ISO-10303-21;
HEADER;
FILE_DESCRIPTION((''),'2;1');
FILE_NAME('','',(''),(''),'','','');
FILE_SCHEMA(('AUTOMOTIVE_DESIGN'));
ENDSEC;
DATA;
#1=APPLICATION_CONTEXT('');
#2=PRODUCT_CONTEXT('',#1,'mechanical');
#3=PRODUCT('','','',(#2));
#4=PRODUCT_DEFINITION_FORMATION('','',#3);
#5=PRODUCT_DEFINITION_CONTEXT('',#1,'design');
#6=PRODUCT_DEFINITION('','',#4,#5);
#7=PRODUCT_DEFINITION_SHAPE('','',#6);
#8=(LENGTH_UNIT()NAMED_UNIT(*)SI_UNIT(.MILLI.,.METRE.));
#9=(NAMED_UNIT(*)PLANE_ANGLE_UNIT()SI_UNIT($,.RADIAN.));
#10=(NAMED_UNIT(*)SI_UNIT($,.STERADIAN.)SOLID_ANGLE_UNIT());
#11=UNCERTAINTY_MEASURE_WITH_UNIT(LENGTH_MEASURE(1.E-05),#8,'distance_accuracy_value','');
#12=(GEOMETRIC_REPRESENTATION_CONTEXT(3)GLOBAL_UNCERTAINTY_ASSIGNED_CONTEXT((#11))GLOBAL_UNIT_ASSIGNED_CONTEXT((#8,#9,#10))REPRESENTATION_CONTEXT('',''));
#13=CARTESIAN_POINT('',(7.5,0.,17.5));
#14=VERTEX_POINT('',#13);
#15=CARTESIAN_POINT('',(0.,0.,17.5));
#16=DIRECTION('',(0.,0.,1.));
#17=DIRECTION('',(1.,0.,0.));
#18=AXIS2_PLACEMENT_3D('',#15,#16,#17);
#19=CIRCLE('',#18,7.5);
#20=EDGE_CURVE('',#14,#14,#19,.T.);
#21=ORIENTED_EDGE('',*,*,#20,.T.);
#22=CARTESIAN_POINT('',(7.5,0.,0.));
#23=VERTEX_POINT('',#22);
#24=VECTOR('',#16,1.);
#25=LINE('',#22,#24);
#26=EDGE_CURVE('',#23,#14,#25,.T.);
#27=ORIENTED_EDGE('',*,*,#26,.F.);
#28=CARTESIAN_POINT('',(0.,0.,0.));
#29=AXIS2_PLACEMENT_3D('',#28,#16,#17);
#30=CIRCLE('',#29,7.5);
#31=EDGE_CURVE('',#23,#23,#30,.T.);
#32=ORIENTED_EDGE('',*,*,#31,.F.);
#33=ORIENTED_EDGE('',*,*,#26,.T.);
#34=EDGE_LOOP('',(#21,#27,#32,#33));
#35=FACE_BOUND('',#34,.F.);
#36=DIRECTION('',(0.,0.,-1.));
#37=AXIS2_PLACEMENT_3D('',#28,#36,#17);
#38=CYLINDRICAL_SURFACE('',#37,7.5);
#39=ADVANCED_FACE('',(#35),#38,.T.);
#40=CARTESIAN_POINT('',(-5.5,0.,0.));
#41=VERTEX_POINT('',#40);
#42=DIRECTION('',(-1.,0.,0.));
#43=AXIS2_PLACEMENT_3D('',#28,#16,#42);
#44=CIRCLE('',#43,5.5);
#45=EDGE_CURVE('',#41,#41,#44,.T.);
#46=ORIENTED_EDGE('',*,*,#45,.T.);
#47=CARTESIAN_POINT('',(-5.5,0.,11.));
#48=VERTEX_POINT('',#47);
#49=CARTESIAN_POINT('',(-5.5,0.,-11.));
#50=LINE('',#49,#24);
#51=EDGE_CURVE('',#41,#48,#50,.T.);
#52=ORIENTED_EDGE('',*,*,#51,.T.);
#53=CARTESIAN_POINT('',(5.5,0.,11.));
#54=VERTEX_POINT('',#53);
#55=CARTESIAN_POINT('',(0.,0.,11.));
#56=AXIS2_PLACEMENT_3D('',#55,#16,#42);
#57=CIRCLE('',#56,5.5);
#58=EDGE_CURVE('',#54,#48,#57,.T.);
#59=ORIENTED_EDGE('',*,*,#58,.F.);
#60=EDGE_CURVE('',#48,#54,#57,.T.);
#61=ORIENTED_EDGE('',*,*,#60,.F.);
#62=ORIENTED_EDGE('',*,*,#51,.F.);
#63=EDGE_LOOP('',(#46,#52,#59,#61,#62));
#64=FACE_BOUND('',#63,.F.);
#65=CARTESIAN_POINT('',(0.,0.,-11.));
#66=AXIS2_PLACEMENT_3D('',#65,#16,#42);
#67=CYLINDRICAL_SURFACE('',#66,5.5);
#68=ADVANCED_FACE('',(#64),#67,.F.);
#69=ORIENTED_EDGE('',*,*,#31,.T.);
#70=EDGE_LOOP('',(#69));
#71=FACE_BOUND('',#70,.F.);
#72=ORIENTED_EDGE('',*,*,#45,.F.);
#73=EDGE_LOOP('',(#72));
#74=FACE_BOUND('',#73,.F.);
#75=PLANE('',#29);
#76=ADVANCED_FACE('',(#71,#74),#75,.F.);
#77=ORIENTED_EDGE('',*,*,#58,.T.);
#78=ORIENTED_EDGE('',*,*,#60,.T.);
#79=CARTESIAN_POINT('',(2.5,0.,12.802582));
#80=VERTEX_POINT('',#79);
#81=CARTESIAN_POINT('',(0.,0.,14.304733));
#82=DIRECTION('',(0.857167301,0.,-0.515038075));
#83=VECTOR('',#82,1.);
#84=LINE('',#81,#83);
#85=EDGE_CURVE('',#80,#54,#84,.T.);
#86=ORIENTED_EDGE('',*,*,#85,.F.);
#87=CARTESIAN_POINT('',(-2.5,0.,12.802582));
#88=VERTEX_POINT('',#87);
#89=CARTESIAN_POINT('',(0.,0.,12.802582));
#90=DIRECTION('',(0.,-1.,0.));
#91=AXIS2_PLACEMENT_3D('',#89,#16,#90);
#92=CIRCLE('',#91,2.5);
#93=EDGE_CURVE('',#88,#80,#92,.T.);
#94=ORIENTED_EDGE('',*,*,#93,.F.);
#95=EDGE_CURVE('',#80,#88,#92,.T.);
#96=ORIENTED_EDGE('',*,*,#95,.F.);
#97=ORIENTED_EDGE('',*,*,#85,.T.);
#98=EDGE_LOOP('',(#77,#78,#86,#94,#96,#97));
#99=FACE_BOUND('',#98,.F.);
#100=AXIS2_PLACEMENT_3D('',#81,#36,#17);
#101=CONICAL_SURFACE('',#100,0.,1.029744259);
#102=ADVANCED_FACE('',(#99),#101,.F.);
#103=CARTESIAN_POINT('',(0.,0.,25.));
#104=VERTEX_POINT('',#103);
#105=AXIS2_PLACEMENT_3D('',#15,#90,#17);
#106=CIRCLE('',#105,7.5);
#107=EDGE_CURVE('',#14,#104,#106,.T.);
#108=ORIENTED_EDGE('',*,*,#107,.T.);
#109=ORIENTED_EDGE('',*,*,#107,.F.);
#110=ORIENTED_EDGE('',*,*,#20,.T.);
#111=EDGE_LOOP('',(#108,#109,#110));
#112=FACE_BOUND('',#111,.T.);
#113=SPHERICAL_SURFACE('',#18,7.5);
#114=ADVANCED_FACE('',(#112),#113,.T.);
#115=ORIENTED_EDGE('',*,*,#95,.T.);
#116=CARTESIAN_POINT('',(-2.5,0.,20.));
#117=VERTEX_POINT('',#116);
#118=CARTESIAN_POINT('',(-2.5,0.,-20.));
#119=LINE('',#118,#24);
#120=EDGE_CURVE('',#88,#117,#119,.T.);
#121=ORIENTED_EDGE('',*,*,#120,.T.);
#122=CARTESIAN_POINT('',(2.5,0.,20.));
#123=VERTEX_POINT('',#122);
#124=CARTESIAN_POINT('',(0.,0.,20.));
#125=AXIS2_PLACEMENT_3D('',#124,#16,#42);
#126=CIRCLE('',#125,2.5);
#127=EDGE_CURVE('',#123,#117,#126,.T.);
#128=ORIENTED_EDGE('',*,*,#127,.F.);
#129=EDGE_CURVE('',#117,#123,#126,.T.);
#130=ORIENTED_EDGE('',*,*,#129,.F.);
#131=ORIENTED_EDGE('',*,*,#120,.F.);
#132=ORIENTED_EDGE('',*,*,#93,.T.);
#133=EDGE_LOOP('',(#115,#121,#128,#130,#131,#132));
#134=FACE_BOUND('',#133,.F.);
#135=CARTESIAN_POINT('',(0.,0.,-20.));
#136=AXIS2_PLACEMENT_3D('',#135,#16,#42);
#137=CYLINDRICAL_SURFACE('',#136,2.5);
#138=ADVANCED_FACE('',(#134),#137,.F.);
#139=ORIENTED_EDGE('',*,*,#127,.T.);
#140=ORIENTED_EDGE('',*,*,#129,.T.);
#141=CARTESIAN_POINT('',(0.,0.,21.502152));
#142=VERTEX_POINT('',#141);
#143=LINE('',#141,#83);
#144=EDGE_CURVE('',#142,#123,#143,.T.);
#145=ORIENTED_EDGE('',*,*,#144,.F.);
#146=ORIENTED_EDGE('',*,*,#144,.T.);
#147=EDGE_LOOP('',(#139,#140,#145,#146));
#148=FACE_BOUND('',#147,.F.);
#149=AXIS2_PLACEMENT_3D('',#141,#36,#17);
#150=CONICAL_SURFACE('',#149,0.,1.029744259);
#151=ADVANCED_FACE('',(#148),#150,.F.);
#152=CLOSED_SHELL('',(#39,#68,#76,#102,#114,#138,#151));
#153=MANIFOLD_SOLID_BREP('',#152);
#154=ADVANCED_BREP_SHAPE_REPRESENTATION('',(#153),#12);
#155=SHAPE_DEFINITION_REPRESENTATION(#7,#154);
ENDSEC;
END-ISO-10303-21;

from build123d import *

# Parameters (mm, degrees)
F0_R     = 7.5
F1_DEPTH = 25
F3_D     = 5
F3_DEPTH = 20
F3_TIP   = 1.5021515476
F5_D     = 11
F5_DEPTH = 11
F5_TIP   = 3.3047334047
F6_R     = 7.5


with BuildPart() as f1:
    # F0 (on Top) → F1 (new body)
    with BuildSketch(Plane.XY):
        Circle(F0_R)
    extrude(amount=F1_DEPTH)

    # F3
    with Locations(Plane(origin=(0, 0, 0), x_dir=(1, 0, 0), z_dir=(0, 0, -1))):
        with Locations((0, 0)):
            Hole(F3_D / 2, depth=F3_DEPTH)
            with Locations((0, 0, -(F3_DEPTH + F3_TIP / 2))):  # 118° drill point
                Cone(0, F3_D / 2, F3_TIP, mode=Mode.SUBTRACT)

    # F5
    with Locations(Plane(origin=(0, 0, 0), x_dir=(1, 0, 0), z_dir=(0, 0, -1))):
        with Locations((0, 0)):
            Hole(F5_D / 2, depth=F5_DEPTH)
            with Locations((0, 0, -(F5_DEPTH + F5_TIP / 2))):  # 118° drill point
                Cone(0, F5_D / 2, F5_TIP, mode=Mode.SUBTRACT)

    # F6
    f6_edges = [f1.edges().sort_by_distance(p)[0] for p in [
        (-7.5, 0, 25),
    ]]
    fillet(f6_edges, radius=F6_R)


solid = f1.part
